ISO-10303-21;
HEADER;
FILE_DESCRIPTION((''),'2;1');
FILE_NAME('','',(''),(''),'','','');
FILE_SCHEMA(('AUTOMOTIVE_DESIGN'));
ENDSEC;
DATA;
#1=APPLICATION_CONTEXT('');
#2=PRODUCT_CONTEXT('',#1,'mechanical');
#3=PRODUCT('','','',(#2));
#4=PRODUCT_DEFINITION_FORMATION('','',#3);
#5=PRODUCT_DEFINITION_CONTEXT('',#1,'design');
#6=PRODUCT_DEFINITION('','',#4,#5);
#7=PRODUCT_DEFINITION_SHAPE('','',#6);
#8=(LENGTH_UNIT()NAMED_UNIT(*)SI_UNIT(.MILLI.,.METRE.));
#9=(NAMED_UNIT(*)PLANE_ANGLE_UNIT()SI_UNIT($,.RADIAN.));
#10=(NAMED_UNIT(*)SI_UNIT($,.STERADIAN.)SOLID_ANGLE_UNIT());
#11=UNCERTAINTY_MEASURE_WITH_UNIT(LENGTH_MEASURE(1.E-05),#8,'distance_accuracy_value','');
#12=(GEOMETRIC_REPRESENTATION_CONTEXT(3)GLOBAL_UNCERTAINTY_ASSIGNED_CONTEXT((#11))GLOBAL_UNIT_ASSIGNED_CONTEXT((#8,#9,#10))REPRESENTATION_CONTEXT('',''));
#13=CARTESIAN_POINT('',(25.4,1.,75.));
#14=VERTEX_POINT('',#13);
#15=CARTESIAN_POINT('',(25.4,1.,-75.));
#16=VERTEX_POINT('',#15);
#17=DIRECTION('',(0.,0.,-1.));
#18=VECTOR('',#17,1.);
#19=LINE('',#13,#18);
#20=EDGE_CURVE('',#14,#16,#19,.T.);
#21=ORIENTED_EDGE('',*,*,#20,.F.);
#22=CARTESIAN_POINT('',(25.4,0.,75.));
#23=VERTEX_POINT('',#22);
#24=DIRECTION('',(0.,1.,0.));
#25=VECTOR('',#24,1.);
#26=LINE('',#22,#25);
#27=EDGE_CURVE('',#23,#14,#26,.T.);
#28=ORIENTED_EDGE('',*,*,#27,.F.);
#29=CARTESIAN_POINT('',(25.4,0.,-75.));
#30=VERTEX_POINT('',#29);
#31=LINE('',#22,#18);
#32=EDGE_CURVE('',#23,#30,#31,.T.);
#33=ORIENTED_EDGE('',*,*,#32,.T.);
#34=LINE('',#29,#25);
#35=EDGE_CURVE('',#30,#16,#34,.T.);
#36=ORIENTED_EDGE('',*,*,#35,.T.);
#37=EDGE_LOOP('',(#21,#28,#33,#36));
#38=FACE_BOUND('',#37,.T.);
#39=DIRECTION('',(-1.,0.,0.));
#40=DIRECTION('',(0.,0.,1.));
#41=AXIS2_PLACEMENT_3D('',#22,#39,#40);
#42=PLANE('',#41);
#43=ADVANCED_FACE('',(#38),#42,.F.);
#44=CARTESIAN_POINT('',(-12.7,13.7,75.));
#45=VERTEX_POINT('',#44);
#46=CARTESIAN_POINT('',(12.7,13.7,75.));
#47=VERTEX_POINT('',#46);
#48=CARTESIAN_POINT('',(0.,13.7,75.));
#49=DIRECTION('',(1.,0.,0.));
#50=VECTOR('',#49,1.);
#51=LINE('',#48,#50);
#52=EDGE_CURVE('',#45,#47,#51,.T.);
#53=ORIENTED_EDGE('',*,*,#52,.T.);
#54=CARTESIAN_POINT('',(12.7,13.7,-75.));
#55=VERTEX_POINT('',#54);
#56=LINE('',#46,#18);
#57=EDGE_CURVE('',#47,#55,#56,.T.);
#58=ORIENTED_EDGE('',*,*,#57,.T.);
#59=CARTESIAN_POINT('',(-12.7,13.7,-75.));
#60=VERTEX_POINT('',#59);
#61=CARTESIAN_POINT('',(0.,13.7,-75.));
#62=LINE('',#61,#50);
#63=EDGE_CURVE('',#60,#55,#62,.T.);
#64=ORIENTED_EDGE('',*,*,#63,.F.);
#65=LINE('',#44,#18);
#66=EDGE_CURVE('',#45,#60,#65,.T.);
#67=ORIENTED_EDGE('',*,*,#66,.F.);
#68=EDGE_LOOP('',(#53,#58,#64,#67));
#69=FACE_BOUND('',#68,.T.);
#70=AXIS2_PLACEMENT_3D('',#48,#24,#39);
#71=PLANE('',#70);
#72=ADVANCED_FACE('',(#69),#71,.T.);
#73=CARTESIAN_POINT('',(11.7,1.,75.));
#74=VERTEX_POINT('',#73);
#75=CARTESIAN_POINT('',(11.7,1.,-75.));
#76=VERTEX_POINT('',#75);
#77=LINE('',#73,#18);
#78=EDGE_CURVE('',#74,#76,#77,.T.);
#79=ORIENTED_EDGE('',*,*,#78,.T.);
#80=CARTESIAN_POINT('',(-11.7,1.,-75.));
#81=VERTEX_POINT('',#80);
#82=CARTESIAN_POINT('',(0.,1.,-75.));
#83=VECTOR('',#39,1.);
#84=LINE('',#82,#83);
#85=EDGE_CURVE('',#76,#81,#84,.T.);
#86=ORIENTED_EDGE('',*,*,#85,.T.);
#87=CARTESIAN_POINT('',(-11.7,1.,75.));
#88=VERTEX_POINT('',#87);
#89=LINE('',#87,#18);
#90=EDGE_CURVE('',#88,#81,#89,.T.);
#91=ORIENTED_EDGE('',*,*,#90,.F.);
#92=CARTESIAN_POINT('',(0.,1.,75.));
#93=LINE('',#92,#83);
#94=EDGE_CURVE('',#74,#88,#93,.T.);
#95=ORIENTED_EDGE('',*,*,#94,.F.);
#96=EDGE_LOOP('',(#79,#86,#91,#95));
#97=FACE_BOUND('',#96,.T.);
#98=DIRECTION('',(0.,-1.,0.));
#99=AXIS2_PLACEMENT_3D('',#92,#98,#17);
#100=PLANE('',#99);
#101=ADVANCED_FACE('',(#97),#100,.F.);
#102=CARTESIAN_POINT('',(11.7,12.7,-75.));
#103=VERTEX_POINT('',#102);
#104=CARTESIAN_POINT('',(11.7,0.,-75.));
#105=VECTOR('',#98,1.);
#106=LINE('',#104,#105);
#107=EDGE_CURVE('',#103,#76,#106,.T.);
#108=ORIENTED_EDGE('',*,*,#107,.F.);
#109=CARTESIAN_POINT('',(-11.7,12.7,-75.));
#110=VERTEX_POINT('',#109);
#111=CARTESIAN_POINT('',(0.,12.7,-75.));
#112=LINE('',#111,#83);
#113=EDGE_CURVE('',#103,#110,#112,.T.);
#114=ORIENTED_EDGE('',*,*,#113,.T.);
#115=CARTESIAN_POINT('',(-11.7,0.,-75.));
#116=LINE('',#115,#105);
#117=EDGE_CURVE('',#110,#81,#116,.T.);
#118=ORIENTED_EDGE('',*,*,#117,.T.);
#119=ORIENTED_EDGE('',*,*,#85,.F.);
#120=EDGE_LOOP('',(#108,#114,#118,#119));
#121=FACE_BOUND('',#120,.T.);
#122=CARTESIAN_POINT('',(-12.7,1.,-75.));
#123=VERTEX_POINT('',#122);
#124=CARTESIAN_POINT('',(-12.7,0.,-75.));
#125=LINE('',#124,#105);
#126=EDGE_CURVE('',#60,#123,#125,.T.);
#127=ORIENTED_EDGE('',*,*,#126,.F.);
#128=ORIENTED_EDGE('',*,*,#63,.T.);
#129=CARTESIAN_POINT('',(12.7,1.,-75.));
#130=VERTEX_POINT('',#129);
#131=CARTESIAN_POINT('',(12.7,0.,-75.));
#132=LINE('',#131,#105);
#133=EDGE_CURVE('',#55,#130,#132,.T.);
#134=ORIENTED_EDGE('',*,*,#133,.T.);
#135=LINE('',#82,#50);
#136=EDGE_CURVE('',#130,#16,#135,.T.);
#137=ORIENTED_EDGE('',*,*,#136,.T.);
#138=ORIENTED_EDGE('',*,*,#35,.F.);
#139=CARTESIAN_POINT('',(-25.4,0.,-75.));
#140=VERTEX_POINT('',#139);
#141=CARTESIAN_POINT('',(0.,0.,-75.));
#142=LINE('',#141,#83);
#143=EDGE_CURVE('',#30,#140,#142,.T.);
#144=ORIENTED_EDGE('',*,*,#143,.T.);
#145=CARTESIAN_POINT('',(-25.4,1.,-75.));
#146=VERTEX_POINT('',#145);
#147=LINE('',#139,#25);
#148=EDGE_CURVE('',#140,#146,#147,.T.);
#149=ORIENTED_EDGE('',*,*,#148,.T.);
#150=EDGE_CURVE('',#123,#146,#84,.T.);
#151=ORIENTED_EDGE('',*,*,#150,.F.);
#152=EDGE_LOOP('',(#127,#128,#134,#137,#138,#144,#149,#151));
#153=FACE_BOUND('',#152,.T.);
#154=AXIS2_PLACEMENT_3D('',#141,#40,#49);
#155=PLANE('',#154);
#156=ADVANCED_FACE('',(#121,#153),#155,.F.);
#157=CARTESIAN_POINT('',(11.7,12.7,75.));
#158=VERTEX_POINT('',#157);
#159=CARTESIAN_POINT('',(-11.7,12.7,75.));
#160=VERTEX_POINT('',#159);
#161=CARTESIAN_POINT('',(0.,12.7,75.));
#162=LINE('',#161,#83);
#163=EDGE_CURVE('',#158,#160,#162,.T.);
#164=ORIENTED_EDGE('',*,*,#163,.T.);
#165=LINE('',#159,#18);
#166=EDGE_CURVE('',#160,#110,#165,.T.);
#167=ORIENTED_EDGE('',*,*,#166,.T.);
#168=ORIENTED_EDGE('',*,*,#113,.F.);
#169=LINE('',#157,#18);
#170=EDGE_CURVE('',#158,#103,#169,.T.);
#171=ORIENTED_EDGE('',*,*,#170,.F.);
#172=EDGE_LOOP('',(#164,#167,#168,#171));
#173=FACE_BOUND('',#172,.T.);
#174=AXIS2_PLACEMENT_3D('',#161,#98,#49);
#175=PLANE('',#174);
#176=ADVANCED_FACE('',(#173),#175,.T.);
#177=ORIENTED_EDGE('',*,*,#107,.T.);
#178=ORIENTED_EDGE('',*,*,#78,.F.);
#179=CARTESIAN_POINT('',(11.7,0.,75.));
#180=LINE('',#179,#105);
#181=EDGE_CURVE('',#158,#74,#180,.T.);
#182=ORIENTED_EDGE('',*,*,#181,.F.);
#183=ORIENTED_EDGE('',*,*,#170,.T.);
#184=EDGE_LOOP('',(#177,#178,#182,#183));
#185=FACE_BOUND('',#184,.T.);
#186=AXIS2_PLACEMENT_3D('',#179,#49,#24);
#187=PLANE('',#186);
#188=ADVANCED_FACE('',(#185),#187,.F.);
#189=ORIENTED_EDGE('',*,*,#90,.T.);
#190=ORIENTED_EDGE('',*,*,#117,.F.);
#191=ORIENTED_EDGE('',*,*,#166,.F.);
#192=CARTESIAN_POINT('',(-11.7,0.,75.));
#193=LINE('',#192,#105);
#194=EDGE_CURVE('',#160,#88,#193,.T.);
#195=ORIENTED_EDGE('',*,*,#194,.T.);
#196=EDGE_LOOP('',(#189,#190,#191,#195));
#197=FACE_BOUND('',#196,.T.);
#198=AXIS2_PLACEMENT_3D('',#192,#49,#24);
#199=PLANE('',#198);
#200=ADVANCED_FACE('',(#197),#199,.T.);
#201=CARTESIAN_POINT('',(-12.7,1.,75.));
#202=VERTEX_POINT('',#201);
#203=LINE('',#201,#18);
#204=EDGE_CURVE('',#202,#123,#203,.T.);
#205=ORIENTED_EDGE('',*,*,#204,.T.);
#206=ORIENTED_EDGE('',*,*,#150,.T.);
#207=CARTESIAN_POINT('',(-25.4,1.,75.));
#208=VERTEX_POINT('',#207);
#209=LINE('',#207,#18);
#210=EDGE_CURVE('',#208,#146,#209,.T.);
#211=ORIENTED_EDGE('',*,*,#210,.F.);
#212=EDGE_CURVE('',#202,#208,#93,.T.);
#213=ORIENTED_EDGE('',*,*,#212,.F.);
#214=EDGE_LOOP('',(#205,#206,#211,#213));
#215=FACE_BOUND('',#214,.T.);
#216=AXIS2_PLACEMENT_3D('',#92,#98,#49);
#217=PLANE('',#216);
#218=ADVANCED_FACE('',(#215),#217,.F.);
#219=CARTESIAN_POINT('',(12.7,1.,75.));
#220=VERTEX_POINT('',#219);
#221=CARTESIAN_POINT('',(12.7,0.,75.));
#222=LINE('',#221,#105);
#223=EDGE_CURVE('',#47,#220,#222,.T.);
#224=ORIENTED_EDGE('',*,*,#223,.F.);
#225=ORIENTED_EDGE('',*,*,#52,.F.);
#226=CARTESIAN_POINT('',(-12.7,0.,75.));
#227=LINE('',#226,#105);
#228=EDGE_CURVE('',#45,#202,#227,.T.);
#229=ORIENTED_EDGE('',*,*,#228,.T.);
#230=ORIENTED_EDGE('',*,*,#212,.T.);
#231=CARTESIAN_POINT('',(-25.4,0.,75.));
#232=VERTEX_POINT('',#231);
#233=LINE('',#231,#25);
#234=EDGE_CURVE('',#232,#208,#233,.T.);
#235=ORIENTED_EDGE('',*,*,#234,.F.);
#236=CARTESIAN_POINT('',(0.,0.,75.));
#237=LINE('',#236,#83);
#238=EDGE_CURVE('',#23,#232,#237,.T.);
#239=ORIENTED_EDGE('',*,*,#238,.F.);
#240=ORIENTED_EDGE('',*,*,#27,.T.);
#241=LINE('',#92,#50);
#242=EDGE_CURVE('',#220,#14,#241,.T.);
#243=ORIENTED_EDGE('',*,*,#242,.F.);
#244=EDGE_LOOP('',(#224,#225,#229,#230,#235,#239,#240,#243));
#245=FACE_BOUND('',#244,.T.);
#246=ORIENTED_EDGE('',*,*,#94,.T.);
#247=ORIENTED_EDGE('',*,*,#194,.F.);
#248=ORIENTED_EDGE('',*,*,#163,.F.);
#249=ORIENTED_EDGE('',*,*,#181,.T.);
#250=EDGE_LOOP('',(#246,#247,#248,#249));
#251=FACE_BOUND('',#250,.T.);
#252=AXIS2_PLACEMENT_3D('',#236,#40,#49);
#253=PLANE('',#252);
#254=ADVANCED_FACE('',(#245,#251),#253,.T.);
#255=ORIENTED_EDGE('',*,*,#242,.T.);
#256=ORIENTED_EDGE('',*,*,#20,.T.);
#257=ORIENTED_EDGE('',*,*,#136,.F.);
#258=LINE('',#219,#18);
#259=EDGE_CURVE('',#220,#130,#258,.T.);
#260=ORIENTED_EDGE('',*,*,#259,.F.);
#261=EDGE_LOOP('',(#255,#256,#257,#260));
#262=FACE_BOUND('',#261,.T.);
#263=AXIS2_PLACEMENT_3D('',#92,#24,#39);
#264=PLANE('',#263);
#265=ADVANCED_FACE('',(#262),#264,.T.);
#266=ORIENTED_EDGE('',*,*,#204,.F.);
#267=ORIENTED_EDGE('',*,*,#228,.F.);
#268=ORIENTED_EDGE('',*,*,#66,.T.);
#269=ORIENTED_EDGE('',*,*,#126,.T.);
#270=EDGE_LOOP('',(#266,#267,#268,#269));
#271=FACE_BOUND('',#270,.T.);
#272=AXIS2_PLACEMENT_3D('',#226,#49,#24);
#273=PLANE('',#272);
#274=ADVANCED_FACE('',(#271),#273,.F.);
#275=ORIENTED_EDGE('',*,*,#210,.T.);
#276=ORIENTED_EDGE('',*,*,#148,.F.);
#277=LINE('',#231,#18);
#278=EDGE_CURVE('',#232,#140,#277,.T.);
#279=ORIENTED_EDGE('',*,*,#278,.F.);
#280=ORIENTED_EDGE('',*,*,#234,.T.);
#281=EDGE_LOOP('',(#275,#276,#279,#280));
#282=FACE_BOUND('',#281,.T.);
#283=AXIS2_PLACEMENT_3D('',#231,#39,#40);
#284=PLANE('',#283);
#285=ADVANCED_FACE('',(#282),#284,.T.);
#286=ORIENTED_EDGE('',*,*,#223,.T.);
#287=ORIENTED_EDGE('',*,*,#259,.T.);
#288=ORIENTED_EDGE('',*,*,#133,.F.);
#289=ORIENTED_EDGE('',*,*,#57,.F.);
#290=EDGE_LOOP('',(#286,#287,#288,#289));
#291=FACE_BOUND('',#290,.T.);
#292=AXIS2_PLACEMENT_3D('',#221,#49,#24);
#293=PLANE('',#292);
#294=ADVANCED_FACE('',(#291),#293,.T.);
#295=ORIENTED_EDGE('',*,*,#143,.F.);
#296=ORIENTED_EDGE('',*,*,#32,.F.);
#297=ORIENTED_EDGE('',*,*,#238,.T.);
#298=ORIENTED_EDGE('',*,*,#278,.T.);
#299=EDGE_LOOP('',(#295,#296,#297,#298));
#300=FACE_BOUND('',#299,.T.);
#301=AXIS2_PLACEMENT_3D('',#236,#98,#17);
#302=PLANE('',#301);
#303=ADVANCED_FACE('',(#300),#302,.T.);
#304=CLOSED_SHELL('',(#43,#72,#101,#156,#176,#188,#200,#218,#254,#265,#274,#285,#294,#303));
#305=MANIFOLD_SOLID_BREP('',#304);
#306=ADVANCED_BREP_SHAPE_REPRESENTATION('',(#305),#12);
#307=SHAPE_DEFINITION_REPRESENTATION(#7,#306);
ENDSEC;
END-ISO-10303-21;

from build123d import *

# Parameters (mm, degrees)
SALIENTE_EXTRUIR1_DEPTH = 75


with BuildPart() as part:
    # Croquis1 → Saliente-Extruir1 (new body, symmetric)
    with BuildSketch(Plane.XY):
        Polygon((0, 13.7), (12.7, 13.7), (12.7, 1), (25.4, 1), (25.4, 0), (-25.4, 0), (-25.4, 1), (-12.7, 1), (-12.7, 13.7), align=None)
        Polygon((0, 12.7), (-11.7, 12.7), (-11.7, 1), (11.7, 1), (11.7, 12.7), align=None, mode=Mode.SUBTRACT)
    extrude(amount=SALIENTE_EXTRUIR1_DEPTH, both=True)


solid = part.part
